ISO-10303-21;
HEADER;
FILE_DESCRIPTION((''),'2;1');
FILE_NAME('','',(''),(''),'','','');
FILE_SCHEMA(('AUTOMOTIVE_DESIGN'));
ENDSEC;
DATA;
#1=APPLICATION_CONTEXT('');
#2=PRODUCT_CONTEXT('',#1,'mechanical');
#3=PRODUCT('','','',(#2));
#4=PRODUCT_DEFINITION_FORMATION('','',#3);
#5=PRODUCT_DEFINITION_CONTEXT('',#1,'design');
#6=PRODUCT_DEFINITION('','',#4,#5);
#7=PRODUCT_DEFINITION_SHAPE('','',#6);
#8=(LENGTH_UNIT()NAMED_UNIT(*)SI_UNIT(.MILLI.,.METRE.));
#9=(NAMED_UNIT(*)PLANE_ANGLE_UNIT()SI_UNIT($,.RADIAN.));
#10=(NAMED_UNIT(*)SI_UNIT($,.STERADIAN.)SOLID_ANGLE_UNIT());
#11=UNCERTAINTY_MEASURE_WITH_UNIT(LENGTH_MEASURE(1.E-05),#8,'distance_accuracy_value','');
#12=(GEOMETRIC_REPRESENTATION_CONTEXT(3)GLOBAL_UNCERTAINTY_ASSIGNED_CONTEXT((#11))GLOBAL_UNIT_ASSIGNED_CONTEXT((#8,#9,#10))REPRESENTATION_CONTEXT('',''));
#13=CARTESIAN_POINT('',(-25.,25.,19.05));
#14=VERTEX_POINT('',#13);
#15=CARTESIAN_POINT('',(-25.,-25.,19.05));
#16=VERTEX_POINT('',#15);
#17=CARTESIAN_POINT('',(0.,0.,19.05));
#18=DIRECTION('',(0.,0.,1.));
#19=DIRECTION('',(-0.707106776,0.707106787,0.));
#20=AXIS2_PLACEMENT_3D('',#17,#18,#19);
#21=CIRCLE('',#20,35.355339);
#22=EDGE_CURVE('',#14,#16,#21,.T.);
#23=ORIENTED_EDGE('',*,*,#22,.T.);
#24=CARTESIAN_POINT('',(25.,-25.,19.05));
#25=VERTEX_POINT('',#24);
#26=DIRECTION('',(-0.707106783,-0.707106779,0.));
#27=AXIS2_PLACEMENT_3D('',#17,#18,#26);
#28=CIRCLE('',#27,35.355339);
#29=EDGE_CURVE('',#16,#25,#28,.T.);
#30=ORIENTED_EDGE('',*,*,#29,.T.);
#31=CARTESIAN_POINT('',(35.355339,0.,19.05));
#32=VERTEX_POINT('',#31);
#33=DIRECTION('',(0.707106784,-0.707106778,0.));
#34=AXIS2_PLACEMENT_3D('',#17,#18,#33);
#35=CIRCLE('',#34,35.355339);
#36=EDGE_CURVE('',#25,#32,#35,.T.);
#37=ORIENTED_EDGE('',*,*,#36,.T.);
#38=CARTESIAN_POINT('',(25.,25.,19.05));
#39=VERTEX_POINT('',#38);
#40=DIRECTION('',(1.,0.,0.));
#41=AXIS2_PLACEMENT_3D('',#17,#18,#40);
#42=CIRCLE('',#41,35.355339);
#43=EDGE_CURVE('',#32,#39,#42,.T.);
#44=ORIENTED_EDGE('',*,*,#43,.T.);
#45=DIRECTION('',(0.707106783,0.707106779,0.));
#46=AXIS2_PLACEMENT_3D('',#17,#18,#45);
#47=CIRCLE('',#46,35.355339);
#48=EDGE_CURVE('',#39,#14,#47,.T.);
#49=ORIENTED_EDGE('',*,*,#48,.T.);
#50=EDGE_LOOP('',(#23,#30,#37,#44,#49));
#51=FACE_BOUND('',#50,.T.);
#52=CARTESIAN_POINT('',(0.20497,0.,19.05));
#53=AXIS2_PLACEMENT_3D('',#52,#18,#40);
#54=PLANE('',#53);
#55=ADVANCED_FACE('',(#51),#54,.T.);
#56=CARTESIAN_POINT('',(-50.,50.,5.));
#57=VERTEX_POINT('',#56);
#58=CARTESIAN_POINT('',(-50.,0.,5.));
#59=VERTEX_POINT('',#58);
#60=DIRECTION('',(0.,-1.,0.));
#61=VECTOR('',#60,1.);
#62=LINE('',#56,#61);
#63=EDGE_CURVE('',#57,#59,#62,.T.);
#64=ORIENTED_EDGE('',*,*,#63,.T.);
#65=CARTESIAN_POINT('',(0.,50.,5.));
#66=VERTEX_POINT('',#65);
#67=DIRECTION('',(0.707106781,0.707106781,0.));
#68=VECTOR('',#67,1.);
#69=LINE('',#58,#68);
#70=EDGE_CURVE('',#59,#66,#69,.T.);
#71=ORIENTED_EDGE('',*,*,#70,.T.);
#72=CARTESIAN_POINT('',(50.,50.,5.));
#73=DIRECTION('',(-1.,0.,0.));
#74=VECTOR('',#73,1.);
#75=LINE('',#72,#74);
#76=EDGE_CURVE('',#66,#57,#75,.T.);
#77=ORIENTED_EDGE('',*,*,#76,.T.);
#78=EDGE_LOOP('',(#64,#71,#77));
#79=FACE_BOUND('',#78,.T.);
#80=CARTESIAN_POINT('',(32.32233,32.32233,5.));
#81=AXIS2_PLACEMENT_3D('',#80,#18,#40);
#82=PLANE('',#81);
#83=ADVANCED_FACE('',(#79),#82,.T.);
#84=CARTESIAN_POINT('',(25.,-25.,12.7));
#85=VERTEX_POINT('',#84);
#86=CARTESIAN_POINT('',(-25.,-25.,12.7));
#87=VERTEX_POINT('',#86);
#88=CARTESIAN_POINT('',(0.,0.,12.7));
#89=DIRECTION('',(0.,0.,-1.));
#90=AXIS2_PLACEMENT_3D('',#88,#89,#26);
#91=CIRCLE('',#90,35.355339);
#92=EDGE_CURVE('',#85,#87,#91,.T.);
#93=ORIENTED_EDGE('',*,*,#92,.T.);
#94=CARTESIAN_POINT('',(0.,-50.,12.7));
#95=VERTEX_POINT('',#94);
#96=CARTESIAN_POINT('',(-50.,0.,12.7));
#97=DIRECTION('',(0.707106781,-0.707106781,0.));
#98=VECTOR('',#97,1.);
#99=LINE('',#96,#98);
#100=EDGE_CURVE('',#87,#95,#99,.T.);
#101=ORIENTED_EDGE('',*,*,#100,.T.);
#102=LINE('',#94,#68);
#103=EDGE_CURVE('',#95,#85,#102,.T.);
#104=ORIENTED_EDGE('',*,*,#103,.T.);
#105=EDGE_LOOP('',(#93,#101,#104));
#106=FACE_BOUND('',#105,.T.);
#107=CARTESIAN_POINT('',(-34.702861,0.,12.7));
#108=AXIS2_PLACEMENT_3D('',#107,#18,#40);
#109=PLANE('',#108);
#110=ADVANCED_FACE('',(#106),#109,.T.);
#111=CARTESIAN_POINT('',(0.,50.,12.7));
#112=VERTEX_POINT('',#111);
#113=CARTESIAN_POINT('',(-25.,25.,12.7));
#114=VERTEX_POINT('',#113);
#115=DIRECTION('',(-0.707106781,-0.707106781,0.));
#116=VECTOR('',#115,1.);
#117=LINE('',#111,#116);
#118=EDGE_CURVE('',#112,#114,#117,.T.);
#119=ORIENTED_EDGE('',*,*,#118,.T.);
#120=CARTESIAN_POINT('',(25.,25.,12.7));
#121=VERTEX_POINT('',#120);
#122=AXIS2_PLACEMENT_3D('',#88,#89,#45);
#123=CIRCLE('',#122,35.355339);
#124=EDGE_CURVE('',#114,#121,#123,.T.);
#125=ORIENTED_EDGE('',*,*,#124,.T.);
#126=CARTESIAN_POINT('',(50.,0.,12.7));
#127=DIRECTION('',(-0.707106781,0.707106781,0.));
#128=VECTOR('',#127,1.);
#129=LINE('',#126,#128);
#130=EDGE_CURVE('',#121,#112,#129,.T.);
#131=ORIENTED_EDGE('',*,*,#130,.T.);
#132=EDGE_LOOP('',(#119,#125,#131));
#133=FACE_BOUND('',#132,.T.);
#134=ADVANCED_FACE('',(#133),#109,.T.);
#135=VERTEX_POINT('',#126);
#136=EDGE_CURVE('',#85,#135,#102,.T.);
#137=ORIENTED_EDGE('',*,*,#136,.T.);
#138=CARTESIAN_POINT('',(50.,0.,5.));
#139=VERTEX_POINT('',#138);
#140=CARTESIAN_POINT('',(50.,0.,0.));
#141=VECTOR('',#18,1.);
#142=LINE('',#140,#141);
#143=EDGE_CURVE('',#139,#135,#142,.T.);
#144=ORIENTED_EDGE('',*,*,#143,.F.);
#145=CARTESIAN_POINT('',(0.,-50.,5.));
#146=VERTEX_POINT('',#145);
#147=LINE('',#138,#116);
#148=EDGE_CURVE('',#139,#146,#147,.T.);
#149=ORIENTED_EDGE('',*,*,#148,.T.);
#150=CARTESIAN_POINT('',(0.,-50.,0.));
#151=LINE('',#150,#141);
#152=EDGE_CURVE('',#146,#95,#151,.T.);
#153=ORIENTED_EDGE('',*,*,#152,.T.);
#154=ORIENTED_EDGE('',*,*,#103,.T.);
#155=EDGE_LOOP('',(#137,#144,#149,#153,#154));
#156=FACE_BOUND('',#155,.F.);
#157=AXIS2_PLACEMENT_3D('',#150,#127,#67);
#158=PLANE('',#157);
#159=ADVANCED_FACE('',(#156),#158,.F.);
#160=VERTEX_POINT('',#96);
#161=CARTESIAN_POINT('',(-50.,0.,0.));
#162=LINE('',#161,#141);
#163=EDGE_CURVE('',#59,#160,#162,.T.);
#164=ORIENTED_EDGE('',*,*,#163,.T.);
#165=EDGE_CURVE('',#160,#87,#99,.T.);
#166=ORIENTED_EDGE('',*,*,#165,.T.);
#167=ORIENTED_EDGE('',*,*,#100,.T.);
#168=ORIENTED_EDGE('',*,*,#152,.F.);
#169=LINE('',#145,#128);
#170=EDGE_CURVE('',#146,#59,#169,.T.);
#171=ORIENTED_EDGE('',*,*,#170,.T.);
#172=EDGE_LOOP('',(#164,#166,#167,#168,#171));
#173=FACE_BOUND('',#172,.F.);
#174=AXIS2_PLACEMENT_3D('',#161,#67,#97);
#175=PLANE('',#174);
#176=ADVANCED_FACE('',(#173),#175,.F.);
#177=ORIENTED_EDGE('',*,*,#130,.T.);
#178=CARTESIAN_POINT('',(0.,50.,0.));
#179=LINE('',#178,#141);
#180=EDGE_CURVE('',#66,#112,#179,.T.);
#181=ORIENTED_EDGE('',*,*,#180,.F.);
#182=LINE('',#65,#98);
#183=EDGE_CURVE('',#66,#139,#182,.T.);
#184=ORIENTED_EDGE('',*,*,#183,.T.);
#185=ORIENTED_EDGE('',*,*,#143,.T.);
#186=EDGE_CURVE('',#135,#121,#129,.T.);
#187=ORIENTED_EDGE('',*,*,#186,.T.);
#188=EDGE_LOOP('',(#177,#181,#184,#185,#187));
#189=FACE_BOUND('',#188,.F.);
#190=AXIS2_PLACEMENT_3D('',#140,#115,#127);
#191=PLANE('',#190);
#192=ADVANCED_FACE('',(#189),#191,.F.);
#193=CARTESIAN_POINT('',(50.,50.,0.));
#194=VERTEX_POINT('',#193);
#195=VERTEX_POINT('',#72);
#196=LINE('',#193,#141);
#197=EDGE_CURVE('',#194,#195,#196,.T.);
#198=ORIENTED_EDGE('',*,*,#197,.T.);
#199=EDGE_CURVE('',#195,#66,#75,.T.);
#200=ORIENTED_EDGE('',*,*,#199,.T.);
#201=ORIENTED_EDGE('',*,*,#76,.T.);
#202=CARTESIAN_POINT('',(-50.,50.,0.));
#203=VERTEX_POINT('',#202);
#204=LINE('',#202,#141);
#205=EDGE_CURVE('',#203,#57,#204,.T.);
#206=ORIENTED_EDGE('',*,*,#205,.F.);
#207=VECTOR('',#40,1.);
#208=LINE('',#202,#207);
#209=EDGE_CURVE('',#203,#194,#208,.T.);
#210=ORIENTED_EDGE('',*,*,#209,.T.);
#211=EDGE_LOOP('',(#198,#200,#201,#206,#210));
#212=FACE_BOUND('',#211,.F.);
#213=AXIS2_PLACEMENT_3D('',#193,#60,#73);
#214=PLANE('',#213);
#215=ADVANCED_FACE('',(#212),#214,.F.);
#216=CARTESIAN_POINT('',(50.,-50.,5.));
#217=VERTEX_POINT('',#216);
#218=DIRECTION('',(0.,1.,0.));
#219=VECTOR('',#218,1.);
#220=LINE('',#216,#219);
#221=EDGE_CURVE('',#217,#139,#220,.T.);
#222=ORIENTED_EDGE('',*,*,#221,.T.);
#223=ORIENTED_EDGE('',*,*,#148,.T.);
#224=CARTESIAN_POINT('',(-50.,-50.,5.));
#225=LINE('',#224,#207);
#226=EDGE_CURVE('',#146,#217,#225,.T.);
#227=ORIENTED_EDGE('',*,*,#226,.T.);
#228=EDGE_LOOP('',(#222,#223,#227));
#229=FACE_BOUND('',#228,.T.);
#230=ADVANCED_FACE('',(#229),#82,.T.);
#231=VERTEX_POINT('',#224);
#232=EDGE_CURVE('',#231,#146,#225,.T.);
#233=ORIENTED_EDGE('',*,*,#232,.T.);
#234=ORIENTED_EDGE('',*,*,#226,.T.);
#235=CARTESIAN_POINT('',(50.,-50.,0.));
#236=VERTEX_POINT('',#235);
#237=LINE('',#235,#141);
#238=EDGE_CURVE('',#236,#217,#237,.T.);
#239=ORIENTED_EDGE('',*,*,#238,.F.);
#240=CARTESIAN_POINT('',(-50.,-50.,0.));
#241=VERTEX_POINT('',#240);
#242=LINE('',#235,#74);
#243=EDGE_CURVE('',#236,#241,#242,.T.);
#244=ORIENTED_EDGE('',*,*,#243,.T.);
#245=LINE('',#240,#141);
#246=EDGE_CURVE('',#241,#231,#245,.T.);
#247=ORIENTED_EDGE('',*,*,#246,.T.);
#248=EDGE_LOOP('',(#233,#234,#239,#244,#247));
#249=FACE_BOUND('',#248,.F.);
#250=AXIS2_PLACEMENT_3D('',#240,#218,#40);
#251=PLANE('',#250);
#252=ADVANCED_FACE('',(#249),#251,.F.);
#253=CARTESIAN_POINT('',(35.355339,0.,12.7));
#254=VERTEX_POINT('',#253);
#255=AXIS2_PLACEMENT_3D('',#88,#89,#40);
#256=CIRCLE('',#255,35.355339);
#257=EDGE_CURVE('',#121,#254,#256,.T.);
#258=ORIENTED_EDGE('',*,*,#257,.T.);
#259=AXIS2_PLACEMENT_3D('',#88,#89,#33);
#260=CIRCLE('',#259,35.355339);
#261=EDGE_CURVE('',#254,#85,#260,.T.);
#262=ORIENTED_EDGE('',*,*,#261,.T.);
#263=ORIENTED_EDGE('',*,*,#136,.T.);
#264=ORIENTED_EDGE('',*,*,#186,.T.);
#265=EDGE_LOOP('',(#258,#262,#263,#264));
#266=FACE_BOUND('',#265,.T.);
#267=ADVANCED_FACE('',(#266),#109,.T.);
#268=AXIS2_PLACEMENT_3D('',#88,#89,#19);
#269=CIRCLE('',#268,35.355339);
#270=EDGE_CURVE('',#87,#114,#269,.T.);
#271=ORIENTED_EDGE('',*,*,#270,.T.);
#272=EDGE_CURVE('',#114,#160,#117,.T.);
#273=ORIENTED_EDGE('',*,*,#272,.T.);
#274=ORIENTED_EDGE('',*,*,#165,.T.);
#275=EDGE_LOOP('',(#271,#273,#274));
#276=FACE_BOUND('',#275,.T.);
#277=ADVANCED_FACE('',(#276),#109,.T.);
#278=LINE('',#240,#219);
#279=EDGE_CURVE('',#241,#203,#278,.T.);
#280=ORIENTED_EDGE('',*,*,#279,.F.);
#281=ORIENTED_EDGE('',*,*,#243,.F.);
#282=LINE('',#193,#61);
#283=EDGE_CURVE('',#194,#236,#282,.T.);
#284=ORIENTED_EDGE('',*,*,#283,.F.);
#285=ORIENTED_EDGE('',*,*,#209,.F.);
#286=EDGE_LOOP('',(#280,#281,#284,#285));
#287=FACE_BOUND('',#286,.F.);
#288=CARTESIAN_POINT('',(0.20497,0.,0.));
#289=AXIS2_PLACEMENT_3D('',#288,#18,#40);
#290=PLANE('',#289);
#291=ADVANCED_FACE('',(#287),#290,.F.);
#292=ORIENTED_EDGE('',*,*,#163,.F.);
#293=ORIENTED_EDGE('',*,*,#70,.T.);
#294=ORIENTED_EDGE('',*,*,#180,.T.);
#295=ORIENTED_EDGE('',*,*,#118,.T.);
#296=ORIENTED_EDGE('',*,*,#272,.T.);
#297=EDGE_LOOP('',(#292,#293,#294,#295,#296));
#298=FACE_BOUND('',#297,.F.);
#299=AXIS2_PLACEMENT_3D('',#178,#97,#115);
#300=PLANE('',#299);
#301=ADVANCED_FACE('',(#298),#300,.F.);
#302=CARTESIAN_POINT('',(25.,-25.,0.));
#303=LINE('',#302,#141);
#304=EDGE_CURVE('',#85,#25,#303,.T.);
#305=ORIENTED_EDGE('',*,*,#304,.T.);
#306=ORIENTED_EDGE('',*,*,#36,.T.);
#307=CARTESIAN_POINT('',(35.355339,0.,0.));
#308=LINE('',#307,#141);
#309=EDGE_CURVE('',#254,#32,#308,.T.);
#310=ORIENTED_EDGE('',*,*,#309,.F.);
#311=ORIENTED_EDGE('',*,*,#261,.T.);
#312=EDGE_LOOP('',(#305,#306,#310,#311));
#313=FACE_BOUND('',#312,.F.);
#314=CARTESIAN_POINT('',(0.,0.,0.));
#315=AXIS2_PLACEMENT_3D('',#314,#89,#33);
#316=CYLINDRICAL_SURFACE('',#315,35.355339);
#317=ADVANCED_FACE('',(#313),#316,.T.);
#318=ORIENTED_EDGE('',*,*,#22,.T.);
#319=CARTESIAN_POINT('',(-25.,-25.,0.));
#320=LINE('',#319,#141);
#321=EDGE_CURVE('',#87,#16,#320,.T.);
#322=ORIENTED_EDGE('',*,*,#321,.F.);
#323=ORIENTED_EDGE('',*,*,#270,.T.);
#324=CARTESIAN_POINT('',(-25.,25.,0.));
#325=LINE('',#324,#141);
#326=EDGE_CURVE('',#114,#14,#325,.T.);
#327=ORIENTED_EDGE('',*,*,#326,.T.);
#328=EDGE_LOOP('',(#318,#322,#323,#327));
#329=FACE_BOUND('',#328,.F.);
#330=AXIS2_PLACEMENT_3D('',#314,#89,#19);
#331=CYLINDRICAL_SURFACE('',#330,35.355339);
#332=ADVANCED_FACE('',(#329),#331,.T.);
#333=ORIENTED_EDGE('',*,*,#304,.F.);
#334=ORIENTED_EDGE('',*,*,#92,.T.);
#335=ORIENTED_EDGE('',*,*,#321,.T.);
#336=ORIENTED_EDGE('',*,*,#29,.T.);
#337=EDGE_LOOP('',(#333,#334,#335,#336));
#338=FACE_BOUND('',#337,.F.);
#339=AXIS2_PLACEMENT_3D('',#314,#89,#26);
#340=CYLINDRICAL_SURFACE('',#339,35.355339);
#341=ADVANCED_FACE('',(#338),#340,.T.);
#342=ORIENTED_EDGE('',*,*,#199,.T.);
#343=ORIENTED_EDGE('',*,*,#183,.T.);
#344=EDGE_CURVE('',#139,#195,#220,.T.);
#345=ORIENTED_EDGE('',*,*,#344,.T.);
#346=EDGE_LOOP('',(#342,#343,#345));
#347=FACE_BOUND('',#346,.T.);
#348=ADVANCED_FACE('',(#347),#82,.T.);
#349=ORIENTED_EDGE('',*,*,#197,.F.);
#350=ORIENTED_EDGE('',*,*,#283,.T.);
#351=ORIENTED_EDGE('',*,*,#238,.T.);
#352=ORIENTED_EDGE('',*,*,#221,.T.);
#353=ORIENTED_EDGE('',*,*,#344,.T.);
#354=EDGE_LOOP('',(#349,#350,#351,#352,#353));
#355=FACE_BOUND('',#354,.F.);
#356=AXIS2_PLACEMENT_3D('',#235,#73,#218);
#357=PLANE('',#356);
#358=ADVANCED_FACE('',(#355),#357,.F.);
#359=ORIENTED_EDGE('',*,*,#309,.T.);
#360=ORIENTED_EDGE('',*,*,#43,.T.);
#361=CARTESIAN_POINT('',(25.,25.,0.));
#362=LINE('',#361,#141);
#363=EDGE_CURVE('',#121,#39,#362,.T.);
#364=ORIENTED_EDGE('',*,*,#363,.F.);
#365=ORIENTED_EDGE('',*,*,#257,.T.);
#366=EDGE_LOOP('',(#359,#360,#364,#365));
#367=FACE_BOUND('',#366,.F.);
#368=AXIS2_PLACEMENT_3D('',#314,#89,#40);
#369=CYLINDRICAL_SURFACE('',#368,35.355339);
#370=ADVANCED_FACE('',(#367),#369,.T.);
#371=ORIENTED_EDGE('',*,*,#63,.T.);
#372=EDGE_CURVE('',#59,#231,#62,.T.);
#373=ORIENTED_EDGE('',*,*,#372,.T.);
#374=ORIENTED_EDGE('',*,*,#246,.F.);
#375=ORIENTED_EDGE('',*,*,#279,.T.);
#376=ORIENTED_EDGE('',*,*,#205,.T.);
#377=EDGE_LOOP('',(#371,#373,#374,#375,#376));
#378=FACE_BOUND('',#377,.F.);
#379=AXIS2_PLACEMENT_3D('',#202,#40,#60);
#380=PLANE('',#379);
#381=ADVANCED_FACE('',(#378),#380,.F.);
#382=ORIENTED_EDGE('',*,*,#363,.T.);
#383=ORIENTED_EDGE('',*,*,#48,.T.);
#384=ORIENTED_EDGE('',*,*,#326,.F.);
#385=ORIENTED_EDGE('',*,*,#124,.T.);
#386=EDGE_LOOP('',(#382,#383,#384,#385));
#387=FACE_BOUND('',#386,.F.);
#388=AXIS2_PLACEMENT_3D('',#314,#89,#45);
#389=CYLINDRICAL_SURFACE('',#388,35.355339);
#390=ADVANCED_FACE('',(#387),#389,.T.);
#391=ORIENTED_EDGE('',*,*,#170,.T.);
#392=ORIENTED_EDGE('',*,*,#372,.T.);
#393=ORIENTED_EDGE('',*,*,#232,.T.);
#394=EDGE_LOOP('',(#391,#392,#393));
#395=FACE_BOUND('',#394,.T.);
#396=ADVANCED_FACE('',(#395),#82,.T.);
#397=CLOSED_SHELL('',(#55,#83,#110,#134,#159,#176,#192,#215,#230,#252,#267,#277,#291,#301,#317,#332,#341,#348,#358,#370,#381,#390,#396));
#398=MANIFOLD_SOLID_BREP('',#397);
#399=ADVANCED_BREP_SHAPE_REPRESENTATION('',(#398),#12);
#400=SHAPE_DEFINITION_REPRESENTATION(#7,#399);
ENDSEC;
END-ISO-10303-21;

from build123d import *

# Parameters (mm, degrees)
F1_DEPTH = 5
F2_DEPTH = 12.7
F3_DEPTH = 19.05


with BuildPart() as f1:
    # F0 (on Top) → F1 (new body)
    with BuildSketch(Plane.XY):
        Polygon((50, 0), (50, 50), (0, 50), (25.0000000711, 24.9999999289), align=None)
        Polygon((-24.9999998008, 25.0000001992), (0, 50), (-50, 50), (-50, 0), align=None)
        Polygon((50, -50), (50, 0), (25.000000115, -24.999999885), (0, -50), align=None)
        with BuildLine():
            ThreePointArc((25.0000000711, 24.9999999289), (1.911e-07, 35.3553390593), (-24.9999998008, 25.0000001992))
            ThreePointArc((-24.9999998008, 25.0000001992), (-35.3553390593, 1.963e-07), (-25.0000000784, -24.9999999216))
            ThreePointArc((-25.0000000784, -24.9999999216), (2.59e-08, -35.3553390593), (25.000000115, -24.999999885))
            ThreePointArc((25.000000115, -24.999999885), (32.664074153, -13.5299024285), (35.3553390593, 0))
            ThreePointArc((35.3553390593, 0), (32.6640741411, 13.5299024572), (25.0000000711, 24.9999999289))
        make_face()
        with BuildLine():
            Line((25.0000000711, 24.9999999289), (0, 50))
            Line((0, 50), (-24.9999998008, 25.0000001992))
            ThreePointArc((-24.9999998008, 25.0000001992), (1.911e-07, 35.3553390593), (25.0000000711, 24.9999999289))
        make_face()
        with BuildLine():
            ThreePointArc((-25.0000000784, -24.9999999216), (-35.3553390593, 1.963e-07), (-24.9999998008, 25.0000001992))
            Line((-24.9999998008, 25.0000001992), (-50, 0))
            Line((-50, 0), (-25.0000000784, -24.9999999216))
        make_face()
        Polygon((-25.0000000784, -24.9999999216), (-50, 0), (-50, -50), (0, -50), align=None)
        with BuildLine():
            Line((25.000000115, -24.999999885), (50, 0))
            Line((50, 0), (25.0000000711, 24.9999999289))
            ThreePointArc((25.0000000711, 24.9999999289), (32.6640741411, 13.5299024572), (35.3553390593, 0))
            ThreePointArc((35.3553390593, 0), (32.664074153, -13.5299024285), (25.000000115, -24.999999885))
        make_face()
        with BuildLine():
            Line((0, -50), (25.000000115, -24.999999885))
            ThreePointArc((25.000000115, -24.999999885), (2.59e-08, -35.3553390593), (-25.0000000784, -24.9999999216))
            Line((-25.0000000784, -24.9999999216), (0, -50))
        make_face()
    extrude(amount=F1_DEPTH)

    # F0 (on Top) → F2 (join)
    with BuildSketch(Plane.XY):
        with BuildLine():
            ThreePointArc((-25.0000000784, -24.9999999216), (-35.3553390593, 1.963e-07), (-24.9999998008, 25.0000001992))
            Line((-24.9999998008, 25.0000001992), (-50, 0))
            Line((-50, 0), (-25.0000000784, -24.9999999216))
        make_face()
        with BuildLine():
            Line((25.000000115, -24.999999885), (50, 0))
            Line((50, 0), (25.0000000711, 24.9999999289))
            ThreePointArc((25.0000000711, 24.9999999289), (32.6640741411, 13.5299024572), (35.3553390593, 0))
            ThreePointArc((35.3553390593, 0), (32.664074153, -13.5299024285), (25.000000115, -24.999999885))
        make_face()
        with BuildLine():
            Line((0, -50), (25.000000115, -24.999999885))
            ThreePointArc((25.000000115, -24.999999885), (2.59e-08, -35.3553390593), (-25.0000000784, -24.9999999216))
            Line((-25.0000000784, -24.9999999216), (0, -50))
        make_face()
        with BuildLine():
            ThreePointArc((25.0000000711, 24.9999999289), (1.911e-07, 35.3553390593), (-24.9999998008, 25.0000001992))
            ThreePointArc((-24.9999998008, 25.0000001992), (-35.3553390593, 1.963e-07), (-25.0000000784, -24.9999999216))
            ThreePointArc((-25.0000000784, -24.9999999216), (2.59e-08, -35.3553390593), (25.000000115, -24.999999885))
            ThreePointArc((25.000000115, -24.999999885), (32.664074153, -13.5299024285), (35.3553390593, 0))
            ThreePointArc((35.3553390593, 0), (32.6640741411, 13.5299024572), (25.0000000711, 24.9999999289))
        make_face()
        with BuildLine():
            Line((25.0000000711, 24.9999999289), (0, 50))
            Line((0, 50), (-24.9999998008, 25.0000001992))
            ThreePointArc((-24.9999998008, 25.0000001992), (1.911e-07, 35.3553390593), (25.0000000711, 24.9999999289))
        make_face()
    extrude(amount=F2_DEPTH)

    # F0 (on Top) → F3 (join)
    with BuildSketch(Plane.XY):
        with BuildLine():
            ThreePointArc((25.0000000711, 24.9999999289), (1.911e-07, 35.3553390593), (-24.9999998008, 25.0000001992))
            ThreePointArc((-24.9999998008, 25.0000001992), (-35.3553390593, 1.963e-07), (-25.0000000784, -24.9999999216))
            ThreePointArc((-25.0000000784, -24.9999999216), (2.59e-08, -35.3553390593), (25.000000115, -24.999999885))
            ThreePointArc((25.000000115, -24.999999885), (32.664074153, -13.5299024285), (35.3553390593, 0))
            ThreePointArc((35.3553390593, 0), (32.6640741411, 13.5299024572), (25.0000000711, 24.9999999289))
        make_face()
    extrude(amount=F3_DEPTH)


solid = f1.part
